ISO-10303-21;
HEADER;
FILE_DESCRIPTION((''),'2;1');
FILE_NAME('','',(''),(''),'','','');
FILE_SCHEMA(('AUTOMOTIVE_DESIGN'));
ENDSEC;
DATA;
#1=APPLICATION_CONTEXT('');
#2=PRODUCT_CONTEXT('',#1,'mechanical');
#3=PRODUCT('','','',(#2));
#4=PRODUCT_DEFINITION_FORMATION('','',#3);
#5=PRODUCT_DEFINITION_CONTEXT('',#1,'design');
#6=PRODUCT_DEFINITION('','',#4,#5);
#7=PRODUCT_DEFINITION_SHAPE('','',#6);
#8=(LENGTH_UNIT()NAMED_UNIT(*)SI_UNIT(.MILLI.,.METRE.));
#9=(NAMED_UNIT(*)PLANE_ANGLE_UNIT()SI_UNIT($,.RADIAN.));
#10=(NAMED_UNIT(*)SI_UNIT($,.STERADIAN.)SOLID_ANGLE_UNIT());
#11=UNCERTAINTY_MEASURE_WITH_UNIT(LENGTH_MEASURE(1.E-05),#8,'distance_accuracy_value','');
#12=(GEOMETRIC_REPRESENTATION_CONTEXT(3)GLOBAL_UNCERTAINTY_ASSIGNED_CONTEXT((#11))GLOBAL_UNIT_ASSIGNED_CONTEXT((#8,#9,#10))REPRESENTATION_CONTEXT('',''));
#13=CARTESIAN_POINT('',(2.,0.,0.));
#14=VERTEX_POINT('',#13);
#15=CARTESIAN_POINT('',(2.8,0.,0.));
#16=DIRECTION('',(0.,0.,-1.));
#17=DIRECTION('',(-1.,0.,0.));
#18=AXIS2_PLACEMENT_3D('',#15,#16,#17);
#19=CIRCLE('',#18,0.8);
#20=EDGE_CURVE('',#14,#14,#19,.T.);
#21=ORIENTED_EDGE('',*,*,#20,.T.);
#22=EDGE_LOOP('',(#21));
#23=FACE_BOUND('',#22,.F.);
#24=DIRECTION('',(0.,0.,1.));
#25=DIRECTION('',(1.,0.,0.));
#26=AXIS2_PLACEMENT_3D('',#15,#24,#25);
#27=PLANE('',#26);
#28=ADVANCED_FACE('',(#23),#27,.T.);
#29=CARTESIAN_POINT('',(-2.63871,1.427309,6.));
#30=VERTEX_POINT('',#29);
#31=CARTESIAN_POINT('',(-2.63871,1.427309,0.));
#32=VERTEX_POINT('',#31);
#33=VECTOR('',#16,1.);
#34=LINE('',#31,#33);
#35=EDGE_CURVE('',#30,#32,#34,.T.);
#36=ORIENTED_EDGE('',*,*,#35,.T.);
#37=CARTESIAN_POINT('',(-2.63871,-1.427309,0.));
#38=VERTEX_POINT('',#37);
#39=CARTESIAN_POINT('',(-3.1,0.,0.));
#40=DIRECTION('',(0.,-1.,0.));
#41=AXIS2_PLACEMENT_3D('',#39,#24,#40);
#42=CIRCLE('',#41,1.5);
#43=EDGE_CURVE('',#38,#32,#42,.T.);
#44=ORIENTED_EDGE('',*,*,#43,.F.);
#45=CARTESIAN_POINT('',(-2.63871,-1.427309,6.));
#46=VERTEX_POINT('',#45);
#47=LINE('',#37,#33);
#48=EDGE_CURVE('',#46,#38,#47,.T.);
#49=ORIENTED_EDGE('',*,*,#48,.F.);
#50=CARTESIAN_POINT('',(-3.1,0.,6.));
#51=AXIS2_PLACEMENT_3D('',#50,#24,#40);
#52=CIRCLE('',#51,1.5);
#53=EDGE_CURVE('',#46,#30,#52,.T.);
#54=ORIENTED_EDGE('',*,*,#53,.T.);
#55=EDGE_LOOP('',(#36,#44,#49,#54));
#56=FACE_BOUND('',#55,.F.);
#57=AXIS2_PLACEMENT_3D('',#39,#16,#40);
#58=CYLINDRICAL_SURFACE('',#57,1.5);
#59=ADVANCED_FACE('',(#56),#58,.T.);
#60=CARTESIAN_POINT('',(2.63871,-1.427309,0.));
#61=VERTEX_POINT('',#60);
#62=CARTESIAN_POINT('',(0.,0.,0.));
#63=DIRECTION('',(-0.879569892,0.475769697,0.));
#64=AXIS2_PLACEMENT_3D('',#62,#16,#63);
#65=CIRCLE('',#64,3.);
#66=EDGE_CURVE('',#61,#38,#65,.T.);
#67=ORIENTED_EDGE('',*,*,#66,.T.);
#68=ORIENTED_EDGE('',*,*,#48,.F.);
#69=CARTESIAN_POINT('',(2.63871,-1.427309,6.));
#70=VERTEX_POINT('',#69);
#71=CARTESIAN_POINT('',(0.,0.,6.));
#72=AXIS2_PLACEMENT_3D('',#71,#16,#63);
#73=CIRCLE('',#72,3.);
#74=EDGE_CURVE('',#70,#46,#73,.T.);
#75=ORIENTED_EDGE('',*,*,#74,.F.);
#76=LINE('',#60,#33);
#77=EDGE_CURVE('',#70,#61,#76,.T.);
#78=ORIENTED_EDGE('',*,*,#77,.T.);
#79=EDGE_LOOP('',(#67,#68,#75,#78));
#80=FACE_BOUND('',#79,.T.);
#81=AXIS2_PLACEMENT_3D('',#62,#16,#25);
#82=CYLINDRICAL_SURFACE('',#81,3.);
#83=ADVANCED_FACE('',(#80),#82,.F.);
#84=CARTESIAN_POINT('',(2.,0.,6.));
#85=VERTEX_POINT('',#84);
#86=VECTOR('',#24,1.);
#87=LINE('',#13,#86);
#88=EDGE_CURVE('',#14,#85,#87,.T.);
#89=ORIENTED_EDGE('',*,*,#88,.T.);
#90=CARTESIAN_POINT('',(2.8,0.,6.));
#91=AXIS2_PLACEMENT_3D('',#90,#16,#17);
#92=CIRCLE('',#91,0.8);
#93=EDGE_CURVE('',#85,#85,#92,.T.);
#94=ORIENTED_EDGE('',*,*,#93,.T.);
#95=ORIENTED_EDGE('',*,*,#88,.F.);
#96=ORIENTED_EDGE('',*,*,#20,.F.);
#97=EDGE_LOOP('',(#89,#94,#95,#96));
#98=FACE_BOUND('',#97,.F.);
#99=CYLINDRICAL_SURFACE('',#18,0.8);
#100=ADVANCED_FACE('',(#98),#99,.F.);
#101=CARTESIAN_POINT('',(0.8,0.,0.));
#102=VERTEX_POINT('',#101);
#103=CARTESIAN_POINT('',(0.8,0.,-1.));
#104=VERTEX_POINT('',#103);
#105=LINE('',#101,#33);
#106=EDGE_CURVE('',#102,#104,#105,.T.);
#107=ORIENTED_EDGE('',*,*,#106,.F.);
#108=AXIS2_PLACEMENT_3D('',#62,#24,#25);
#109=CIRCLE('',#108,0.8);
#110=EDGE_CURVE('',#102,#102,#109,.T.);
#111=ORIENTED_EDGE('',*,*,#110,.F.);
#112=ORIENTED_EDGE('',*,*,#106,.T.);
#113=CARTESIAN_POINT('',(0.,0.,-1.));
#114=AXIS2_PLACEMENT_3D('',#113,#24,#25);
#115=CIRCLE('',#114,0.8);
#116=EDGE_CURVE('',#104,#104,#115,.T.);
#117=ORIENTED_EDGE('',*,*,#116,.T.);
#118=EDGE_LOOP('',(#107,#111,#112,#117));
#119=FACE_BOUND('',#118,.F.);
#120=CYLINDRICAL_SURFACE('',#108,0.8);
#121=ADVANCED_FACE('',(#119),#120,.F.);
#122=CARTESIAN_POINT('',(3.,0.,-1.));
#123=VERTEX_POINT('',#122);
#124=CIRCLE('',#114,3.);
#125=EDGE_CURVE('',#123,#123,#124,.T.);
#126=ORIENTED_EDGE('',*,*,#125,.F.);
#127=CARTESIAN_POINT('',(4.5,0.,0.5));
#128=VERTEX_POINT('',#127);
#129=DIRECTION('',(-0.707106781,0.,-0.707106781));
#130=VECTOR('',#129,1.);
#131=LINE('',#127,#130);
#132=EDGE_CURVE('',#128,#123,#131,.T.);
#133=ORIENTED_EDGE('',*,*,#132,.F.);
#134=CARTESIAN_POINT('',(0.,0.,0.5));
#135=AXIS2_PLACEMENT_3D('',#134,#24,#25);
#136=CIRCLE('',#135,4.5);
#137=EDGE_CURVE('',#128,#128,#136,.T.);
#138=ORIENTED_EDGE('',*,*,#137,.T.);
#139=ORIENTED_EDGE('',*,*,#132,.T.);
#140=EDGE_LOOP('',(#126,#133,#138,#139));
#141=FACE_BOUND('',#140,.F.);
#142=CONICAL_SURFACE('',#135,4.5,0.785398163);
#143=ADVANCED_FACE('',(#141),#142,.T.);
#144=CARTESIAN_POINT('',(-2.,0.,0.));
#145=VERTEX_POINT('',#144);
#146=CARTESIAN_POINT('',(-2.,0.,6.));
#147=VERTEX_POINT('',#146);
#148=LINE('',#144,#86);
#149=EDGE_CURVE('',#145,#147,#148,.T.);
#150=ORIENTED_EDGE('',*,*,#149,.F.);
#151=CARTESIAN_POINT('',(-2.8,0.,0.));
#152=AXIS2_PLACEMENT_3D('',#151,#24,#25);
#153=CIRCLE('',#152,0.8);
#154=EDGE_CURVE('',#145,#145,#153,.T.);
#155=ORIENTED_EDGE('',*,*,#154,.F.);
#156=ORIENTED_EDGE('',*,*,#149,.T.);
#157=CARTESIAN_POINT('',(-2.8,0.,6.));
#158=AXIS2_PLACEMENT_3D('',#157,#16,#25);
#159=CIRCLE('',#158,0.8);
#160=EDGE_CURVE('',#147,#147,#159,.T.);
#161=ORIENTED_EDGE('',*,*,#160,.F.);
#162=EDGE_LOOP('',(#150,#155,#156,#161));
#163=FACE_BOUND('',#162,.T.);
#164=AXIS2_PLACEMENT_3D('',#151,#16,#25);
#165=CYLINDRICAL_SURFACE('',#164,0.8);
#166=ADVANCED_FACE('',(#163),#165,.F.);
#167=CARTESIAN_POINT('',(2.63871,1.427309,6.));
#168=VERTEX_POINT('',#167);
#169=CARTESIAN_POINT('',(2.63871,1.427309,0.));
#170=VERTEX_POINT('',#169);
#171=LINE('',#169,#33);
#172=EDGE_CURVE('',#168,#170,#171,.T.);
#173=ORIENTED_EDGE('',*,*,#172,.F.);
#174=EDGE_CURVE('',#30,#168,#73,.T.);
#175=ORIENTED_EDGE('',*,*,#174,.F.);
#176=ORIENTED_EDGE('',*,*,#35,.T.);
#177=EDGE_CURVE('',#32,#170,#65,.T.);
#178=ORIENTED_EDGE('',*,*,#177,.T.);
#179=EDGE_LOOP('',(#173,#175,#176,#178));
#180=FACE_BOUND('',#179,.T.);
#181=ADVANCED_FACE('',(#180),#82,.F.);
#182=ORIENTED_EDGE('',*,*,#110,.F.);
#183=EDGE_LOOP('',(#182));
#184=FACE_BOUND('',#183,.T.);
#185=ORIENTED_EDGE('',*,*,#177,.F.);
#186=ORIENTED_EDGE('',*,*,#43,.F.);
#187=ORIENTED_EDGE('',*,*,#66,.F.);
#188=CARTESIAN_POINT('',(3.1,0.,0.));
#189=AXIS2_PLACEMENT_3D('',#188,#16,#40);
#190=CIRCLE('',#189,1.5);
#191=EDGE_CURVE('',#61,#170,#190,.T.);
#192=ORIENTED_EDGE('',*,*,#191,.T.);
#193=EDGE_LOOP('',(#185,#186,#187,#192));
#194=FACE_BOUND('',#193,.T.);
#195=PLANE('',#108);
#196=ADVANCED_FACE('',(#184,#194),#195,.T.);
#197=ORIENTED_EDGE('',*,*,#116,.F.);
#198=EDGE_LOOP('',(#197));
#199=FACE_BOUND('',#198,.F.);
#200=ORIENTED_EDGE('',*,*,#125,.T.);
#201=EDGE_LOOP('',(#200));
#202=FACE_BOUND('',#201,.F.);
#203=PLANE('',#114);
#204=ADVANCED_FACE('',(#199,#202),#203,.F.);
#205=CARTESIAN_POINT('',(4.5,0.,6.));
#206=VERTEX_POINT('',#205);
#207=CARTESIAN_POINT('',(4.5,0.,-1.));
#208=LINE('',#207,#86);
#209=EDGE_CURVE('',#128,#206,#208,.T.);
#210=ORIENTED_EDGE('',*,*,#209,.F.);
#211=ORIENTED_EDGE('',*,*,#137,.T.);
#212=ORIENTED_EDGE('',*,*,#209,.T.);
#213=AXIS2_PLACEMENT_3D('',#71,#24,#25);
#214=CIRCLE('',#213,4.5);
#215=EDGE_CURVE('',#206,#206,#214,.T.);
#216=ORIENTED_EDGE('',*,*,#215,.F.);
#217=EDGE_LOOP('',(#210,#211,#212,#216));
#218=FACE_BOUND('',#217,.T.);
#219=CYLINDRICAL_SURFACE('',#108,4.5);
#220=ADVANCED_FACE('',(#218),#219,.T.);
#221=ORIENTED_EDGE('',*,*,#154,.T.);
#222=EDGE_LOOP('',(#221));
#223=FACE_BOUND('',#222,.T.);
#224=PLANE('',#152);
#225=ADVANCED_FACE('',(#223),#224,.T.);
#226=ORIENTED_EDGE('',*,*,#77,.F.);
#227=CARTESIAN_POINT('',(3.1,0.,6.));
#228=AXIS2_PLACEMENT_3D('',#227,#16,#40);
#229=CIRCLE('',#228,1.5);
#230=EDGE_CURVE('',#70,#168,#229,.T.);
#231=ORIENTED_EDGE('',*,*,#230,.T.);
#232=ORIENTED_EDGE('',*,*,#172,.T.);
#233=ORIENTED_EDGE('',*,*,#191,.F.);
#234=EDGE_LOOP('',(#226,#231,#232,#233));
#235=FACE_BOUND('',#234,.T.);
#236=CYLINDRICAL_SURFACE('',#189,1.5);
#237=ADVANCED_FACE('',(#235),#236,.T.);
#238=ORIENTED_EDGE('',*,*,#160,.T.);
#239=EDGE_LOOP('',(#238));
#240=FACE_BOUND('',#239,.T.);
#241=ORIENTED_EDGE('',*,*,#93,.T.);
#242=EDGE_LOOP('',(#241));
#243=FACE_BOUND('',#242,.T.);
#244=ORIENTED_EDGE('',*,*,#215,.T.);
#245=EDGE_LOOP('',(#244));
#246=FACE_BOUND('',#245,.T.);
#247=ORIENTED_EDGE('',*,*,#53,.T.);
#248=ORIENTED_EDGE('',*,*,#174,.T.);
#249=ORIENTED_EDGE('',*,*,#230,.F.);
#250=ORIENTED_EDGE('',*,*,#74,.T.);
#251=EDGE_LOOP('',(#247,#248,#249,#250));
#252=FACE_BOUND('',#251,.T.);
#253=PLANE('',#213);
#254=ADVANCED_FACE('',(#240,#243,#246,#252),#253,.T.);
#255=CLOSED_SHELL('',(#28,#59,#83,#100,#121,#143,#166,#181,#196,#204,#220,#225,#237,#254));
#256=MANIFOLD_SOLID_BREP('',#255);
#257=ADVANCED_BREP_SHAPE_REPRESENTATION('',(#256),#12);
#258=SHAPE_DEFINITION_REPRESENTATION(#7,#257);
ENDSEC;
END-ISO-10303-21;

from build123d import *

# Parameters (mm, degrees)
SKETCH006_R       = 4.5
PAD002_DEPTH      = 6
PAD002_DEPTH_BACK = 1
SKETCH007_R       = 3
POCKET008_DEPTH   = 6
SKETCH008_R       = 0.8
HOLE_DEPTH        = 25
PAD005_DEPTH      = 6
SKETCH010_R       = 0.8
POCKET005_DEPTH   = 7
CHAMFER_SIZE      = 1.5


with BuildPart() as part:
    # Sketch006 → Pad002 (new body, two sides)
    with BuildSketch(Plane.XY) as pad002_sk:
        Circle(SKETCH006_R)
    extrude(amount=PAD002_DEPTH)
    extrude(pad002_sk.sketch, amount=-PAD002_DEPTH_BACK)

    # Sketch007 → Pocket008 (cut)
    with BuildSketch(Plane.XY):
        Circle(SKETCH007_R)
    extrude(amount=POCKET008_DEPTH, mode=Mode.SUBTRACT)

    # Sketch008 → Hole (cut)
    with BuildSketch(Plane.XY):
        Circle(SKETCH008_R)
    extrude(amount=-HOLE_DEPTH, mode=Mode.SUBTRACT)

    # Sketch009 → Pad005 (join)
    with BuildSketch(Plane.XY):
        with BuildLine():
            ThreePointArc((-3.1, -1.5), (-1.6, 0), (-3.1, 1.5))
            Line((-3.1, 1.5), (-3.708099, 1.5))
            ThreePointArc((-3.708099, 1.5), (-4, 0), (-3.708099, -1.5))
            Line((-3.1, -1.5), (-3.708099, -1.5))
        make_face()
    pad005 = extrude(amount=PAD005_DEPTH)

    # Sketch010 → Pocket005 (cut)
    with BuildSketch(Plane.XY):
        with Locations((-2.8, 0)):
            Circle(SKETCH010_R)
    pocket005 = extrude(amount=POCKET005_DEPTH, mode=Mode.SUBTRACT)

    # Mirrored005: Pad005, Pocket005 across Sketch009 V_Axis
    add(pad005.mirror(Plane(origin=(0, 0, 0), x_dir=(0, 0, 1), z_dir=(1, 0, 0))))
    add(pocket005.mirror(Plane(origin=(0, 0, 0), x_dir=(0, 0, 1), z_dir=(1, 0, 0))), mode=Mode.SUBTRACT)

    # Chamfer
    chamfer_edges = [part.edges().sort_by_distance(p)[0] for p in [
        (-4.5, 0, -1),
    ]]
    chamfer(chamfer_edges, length=CHAMFER_SIZE)


solid = part.part
